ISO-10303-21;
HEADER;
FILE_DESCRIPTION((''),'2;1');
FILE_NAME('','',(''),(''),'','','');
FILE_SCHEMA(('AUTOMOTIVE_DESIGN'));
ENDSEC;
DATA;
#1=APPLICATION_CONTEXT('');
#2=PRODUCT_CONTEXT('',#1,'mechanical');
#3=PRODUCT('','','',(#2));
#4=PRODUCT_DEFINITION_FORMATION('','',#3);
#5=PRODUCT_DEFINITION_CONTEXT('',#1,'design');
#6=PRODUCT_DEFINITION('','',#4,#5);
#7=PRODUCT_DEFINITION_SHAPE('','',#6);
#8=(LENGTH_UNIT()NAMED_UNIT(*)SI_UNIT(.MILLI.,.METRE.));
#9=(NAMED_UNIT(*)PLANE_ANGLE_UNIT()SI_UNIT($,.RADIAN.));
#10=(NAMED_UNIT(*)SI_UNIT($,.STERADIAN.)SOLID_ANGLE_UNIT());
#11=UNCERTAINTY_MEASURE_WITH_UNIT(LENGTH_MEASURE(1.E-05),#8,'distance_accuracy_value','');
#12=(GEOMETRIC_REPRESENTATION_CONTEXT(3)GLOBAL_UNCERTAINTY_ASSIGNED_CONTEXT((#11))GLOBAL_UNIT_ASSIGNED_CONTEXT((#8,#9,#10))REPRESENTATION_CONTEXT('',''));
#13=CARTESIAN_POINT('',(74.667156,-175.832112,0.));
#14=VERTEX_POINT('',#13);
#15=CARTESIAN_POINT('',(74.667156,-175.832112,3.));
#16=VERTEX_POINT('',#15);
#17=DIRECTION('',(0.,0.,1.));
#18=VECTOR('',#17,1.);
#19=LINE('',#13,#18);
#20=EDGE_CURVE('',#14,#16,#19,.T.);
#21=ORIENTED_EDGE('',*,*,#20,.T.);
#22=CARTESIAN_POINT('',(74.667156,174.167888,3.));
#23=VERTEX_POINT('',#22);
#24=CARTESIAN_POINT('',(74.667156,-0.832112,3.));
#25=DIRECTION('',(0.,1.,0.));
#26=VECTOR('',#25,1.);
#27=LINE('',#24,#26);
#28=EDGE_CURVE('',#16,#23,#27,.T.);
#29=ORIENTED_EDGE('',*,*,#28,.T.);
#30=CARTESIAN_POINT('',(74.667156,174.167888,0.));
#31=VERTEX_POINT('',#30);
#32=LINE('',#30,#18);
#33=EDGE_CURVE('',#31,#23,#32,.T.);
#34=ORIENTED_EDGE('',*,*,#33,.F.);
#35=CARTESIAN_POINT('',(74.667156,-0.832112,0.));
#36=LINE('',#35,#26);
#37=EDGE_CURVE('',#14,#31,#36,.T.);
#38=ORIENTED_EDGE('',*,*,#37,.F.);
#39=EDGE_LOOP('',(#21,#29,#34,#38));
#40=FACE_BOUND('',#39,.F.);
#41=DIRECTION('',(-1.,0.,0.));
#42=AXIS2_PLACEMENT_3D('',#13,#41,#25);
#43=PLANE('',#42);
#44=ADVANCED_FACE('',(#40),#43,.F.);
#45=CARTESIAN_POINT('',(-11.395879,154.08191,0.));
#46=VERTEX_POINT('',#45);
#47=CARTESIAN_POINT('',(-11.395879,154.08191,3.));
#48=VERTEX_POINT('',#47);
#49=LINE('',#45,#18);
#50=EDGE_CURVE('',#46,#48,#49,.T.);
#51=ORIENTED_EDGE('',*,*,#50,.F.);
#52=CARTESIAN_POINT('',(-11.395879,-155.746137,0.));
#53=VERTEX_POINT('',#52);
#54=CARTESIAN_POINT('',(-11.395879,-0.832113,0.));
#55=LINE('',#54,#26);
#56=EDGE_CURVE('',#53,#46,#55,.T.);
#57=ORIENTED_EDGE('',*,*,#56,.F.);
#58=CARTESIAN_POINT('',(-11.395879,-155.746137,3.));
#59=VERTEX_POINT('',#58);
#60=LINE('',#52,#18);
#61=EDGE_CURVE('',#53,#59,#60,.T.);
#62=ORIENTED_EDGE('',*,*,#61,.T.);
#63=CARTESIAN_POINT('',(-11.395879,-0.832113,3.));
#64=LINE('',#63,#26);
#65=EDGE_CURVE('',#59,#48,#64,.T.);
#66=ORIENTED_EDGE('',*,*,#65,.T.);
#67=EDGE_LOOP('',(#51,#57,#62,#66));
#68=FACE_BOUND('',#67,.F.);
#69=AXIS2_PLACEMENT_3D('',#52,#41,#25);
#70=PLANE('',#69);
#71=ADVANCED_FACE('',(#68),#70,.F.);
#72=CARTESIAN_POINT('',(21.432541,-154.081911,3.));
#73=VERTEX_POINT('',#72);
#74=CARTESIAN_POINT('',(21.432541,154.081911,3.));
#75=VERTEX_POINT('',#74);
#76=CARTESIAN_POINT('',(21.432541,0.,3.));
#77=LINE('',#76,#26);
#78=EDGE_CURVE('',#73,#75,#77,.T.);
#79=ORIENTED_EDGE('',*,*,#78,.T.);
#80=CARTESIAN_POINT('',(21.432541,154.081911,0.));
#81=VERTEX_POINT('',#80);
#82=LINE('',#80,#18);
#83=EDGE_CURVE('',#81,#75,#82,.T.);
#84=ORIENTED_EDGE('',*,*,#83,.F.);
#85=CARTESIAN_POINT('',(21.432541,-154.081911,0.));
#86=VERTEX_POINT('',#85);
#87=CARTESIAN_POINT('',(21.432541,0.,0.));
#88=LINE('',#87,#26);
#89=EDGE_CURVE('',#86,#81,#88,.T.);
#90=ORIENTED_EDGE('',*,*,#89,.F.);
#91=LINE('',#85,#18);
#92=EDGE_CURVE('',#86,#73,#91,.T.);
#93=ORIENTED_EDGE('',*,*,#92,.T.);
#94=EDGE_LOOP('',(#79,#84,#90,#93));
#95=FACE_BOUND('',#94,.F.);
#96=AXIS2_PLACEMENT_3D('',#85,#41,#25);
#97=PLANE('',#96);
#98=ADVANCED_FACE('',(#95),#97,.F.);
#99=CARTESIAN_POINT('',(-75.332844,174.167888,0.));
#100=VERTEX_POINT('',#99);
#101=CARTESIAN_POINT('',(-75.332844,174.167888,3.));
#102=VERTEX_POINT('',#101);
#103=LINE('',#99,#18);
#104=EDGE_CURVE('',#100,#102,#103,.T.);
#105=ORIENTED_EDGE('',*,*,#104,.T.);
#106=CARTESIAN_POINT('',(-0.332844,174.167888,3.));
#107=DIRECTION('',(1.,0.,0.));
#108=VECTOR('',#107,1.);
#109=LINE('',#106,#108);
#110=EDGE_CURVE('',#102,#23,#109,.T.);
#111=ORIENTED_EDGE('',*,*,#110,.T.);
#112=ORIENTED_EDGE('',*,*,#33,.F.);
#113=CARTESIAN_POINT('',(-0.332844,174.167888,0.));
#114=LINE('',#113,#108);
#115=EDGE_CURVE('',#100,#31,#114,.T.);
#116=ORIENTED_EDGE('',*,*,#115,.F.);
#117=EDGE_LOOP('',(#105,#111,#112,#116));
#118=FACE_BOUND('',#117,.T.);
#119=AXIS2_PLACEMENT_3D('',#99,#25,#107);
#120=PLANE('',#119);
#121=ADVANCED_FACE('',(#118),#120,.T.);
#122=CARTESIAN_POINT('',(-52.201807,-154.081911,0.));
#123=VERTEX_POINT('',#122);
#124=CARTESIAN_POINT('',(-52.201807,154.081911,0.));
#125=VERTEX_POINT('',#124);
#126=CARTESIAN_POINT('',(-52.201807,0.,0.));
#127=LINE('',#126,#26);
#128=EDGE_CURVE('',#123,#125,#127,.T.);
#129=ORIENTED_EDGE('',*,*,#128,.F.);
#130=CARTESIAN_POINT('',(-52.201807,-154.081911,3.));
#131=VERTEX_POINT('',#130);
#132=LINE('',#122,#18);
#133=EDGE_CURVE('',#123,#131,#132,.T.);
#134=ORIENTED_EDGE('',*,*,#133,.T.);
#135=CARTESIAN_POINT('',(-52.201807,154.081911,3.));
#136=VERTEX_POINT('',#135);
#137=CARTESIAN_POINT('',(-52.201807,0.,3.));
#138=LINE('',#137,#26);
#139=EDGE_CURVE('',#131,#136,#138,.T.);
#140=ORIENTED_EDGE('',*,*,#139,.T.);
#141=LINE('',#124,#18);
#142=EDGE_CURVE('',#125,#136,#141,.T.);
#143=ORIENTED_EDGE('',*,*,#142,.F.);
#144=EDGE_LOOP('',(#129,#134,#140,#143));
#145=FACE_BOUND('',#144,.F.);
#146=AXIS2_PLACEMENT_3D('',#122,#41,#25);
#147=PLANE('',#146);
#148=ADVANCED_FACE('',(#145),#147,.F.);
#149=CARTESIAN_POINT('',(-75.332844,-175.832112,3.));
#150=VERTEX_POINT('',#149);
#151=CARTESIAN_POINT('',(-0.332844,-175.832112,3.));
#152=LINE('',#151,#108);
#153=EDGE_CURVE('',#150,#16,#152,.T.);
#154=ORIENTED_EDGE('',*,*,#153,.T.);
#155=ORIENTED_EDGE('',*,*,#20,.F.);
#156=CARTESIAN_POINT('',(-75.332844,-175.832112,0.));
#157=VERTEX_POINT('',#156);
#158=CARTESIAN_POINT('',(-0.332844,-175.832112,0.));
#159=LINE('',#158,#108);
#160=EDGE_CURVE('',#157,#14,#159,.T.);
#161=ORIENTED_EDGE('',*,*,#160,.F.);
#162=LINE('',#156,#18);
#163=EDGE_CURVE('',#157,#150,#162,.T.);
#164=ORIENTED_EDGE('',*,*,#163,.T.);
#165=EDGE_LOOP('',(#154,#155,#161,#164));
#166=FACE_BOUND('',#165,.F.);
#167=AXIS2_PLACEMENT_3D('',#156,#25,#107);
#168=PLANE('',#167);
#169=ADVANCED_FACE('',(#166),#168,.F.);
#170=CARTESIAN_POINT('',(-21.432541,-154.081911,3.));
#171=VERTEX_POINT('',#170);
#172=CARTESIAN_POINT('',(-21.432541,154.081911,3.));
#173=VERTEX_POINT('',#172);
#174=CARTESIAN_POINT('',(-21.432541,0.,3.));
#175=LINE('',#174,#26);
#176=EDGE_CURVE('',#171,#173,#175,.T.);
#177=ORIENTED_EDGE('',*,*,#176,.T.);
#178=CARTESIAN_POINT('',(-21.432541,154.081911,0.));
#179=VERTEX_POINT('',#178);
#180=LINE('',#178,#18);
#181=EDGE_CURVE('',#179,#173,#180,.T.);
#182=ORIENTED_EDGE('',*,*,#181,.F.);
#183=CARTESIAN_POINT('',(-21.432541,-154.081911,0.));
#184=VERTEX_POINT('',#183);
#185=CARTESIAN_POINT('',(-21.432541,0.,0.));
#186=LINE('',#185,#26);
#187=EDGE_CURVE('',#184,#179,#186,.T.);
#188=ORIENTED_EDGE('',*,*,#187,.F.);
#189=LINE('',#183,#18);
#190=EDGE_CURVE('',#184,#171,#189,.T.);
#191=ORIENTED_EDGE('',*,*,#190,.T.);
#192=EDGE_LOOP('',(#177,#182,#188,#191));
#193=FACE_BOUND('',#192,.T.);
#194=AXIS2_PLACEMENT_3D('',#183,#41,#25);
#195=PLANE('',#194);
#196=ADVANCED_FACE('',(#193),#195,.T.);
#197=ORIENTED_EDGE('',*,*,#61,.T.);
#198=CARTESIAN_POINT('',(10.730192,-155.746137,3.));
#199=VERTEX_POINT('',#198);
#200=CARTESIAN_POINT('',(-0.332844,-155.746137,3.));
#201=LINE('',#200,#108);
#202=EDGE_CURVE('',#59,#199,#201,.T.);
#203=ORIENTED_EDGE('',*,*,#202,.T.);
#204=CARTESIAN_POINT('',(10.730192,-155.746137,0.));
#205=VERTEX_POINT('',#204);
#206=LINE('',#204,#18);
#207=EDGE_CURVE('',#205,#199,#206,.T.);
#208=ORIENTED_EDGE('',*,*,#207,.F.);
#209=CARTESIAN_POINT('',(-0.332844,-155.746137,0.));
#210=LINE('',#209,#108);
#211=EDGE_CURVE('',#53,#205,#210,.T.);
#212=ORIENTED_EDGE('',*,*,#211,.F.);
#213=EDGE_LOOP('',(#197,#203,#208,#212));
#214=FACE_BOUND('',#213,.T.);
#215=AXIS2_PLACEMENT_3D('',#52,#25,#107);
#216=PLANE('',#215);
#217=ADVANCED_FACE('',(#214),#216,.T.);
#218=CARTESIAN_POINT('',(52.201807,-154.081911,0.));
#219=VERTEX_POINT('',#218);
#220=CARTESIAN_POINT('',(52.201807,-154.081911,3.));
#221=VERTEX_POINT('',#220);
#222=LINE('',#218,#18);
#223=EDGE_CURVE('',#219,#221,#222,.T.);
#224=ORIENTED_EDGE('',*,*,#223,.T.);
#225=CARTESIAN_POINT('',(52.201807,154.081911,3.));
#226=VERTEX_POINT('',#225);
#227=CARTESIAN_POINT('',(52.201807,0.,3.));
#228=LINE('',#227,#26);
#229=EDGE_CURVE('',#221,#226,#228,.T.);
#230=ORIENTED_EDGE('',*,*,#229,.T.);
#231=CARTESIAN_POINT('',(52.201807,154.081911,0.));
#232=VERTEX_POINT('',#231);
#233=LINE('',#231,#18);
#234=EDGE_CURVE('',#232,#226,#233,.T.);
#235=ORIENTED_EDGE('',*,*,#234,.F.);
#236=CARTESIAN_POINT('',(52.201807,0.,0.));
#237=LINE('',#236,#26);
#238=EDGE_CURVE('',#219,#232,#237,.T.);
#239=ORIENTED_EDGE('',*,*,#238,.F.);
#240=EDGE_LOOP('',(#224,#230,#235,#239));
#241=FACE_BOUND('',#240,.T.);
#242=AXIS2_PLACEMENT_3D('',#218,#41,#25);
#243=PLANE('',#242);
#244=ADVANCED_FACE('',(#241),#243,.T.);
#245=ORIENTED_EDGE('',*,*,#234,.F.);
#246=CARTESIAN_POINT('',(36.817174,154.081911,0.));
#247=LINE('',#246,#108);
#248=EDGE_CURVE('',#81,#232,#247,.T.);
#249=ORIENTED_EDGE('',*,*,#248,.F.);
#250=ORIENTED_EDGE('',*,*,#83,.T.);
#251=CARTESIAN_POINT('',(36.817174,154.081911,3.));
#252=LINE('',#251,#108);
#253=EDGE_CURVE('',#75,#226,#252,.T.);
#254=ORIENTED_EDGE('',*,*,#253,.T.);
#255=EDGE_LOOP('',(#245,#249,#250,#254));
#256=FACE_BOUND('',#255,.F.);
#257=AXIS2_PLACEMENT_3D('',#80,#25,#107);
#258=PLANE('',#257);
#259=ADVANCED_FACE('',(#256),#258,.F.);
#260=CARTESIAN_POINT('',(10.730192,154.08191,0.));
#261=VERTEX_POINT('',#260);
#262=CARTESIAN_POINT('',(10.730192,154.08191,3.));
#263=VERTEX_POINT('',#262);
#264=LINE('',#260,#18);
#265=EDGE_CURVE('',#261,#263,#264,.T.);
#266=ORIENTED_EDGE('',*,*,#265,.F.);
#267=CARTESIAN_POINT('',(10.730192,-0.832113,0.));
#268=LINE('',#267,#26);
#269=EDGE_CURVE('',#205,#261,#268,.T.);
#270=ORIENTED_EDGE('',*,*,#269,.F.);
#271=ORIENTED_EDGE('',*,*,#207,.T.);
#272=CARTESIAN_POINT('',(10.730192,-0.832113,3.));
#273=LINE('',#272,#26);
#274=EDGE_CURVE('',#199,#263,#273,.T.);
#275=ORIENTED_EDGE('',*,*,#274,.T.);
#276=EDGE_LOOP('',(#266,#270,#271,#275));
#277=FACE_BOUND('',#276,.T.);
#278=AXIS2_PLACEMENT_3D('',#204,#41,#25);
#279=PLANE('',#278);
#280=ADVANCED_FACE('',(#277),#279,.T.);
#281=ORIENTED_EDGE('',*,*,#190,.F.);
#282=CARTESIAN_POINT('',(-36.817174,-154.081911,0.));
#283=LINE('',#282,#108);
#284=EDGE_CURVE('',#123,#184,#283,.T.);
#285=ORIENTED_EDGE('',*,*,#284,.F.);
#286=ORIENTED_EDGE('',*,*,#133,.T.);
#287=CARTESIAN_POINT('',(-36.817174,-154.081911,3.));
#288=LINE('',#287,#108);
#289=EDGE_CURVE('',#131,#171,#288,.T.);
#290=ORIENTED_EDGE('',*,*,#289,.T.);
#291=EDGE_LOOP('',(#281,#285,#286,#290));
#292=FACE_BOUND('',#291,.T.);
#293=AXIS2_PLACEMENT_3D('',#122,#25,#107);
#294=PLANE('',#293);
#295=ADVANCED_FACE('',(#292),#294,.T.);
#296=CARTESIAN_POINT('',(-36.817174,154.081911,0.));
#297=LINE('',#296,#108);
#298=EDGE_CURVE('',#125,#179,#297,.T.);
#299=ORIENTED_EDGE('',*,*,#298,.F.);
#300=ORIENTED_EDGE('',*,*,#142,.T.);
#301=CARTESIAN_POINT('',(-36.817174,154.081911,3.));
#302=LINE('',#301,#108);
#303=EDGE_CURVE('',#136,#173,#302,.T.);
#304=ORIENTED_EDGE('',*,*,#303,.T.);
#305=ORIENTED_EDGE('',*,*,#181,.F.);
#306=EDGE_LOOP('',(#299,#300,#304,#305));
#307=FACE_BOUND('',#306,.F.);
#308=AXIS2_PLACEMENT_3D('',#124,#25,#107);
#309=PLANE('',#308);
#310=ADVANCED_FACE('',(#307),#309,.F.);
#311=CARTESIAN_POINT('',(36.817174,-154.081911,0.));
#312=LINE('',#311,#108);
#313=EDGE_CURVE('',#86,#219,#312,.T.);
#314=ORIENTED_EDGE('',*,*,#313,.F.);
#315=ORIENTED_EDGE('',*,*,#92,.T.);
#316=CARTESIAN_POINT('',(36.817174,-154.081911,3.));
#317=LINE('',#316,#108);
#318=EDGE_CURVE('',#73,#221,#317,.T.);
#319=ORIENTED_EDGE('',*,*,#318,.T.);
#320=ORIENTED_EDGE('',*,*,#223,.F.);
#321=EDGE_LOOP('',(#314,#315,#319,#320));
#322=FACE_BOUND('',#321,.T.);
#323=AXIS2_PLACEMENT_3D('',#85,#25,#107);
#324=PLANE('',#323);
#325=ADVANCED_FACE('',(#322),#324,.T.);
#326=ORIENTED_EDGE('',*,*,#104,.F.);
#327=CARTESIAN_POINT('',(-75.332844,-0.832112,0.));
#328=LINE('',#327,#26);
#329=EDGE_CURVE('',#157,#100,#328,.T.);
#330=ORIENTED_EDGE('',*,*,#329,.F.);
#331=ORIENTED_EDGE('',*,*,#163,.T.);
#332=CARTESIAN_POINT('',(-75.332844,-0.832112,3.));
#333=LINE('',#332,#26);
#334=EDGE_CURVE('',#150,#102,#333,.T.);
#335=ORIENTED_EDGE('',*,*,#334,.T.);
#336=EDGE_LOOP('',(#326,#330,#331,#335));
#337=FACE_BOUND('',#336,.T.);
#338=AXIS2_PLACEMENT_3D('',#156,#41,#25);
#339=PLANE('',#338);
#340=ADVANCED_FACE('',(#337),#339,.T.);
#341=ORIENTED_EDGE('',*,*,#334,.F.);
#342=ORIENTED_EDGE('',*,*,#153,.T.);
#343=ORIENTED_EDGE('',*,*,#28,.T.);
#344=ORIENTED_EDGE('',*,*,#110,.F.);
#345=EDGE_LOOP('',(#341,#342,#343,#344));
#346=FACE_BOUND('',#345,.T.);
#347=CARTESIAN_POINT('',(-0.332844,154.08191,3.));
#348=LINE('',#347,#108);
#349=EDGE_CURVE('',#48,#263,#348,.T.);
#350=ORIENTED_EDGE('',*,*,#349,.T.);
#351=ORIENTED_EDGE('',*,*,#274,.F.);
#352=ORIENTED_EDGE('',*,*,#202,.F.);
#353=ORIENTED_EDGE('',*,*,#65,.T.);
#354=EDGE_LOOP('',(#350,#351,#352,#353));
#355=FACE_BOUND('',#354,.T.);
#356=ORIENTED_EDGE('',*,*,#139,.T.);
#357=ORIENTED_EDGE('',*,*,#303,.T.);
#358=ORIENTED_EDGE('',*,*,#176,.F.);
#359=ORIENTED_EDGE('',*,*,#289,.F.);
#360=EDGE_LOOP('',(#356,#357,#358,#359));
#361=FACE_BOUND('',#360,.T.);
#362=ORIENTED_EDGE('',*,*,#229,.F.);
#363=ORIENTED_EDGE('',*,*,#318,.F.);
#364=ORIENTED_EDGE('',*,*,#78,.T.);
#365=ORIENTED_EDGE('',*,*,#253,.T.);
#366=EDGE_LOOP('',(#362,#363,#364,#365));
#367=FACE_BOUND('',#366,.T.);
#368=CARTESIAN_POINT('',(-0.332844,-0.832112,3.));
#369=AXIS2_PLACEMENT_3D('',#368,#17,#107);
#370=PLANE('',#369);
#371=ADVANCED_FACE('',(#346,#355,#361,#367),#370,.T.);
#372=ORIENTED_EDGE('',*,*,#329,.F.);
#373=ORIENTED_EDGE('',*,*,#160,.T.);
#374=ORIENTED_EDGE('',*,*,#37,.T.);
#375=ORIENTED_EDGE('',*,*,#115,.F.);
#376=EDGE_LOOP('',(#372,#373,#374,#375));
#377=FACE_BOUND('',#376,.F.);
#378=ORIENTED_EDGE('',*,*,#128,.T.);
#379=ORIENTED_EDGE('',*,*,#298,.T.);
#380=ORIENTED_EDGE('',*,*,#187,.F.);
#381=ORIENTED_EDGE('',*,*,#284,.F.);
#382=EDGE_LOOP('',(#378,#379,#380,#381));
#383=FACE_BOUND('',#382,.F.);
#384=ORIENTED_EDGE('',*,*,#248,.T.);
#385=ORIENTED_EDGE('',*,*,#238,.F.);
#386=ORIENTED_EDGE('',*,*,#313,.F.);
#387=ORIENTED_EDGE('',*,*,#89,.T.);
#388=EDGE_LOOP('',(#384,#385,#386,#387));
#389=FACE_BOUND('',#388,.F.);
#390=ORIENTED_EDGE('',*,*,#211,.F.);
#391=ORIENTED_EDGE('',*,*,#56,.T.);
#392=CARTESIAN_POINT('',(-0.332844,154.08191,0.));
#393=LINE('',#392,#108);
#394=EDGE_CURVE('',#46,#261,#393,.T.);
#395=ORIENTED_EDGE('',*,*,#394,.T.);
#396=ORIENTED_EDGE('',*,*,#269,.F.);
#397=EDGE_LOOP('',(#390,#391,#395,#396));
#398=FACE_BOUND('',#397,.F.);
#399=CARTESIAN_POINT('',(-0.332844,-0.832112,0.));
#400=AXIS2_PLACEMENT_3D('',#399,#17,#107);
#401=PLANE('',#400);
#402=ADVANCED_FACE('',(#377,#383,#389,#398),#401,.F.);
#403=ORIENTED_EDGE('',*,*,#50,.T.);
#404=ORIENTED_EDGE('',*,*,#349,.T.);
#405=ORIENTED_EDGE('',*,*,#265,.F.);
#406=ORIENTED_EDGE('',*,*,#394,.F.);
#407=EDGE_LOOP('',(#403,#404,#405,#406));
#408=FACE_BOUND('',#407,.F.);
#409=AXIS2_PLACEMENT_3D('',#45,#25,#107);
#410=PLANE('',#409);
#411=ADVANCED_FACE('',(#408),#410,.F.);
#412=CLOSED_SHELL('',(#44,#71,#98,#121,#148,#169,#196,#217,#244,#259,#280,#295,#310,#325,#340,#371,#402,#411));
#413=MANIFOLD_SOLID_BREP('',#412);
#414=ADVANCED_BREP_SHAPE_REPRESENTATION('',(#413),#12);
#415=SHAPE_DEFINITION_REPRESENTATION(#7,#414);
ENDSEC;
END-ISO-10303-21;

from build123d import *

# Parameters (mm, degrees)
F0_W     = 150
F0_H     = 350
F0_W_2   = 30.769266
F0_H_2   = 308.163822
F0_W_3   = 22.126071
F0_H_3   = 309.828047
F1_DEPTH = 3


with BuildPart() as f1:
    # F0 (on Top) → F1 (new body)
    with BuildSketch(Plane.XY):
        with Locations((-0.332844, -0.832112)):
            Rectangle(F0_W, F0_H)
        with Locations((-36.817174, 0)):
            Rectangle(F0_W_2, F0_H_2, mode=Mode.SUBTRACT)
        with Locations((-0.332844, -0.832113)):
            Rectangle(F0_W_3, F0_H_3, mode=Mode.SUBTRACT)
        with Locations((36.817174, 0)):
            Rectangle(F0_W_2, F0_H_2, mode=Mode.SUBTRACT)
    extrude(amount=F1_DEPTH)


solid = f1.part
